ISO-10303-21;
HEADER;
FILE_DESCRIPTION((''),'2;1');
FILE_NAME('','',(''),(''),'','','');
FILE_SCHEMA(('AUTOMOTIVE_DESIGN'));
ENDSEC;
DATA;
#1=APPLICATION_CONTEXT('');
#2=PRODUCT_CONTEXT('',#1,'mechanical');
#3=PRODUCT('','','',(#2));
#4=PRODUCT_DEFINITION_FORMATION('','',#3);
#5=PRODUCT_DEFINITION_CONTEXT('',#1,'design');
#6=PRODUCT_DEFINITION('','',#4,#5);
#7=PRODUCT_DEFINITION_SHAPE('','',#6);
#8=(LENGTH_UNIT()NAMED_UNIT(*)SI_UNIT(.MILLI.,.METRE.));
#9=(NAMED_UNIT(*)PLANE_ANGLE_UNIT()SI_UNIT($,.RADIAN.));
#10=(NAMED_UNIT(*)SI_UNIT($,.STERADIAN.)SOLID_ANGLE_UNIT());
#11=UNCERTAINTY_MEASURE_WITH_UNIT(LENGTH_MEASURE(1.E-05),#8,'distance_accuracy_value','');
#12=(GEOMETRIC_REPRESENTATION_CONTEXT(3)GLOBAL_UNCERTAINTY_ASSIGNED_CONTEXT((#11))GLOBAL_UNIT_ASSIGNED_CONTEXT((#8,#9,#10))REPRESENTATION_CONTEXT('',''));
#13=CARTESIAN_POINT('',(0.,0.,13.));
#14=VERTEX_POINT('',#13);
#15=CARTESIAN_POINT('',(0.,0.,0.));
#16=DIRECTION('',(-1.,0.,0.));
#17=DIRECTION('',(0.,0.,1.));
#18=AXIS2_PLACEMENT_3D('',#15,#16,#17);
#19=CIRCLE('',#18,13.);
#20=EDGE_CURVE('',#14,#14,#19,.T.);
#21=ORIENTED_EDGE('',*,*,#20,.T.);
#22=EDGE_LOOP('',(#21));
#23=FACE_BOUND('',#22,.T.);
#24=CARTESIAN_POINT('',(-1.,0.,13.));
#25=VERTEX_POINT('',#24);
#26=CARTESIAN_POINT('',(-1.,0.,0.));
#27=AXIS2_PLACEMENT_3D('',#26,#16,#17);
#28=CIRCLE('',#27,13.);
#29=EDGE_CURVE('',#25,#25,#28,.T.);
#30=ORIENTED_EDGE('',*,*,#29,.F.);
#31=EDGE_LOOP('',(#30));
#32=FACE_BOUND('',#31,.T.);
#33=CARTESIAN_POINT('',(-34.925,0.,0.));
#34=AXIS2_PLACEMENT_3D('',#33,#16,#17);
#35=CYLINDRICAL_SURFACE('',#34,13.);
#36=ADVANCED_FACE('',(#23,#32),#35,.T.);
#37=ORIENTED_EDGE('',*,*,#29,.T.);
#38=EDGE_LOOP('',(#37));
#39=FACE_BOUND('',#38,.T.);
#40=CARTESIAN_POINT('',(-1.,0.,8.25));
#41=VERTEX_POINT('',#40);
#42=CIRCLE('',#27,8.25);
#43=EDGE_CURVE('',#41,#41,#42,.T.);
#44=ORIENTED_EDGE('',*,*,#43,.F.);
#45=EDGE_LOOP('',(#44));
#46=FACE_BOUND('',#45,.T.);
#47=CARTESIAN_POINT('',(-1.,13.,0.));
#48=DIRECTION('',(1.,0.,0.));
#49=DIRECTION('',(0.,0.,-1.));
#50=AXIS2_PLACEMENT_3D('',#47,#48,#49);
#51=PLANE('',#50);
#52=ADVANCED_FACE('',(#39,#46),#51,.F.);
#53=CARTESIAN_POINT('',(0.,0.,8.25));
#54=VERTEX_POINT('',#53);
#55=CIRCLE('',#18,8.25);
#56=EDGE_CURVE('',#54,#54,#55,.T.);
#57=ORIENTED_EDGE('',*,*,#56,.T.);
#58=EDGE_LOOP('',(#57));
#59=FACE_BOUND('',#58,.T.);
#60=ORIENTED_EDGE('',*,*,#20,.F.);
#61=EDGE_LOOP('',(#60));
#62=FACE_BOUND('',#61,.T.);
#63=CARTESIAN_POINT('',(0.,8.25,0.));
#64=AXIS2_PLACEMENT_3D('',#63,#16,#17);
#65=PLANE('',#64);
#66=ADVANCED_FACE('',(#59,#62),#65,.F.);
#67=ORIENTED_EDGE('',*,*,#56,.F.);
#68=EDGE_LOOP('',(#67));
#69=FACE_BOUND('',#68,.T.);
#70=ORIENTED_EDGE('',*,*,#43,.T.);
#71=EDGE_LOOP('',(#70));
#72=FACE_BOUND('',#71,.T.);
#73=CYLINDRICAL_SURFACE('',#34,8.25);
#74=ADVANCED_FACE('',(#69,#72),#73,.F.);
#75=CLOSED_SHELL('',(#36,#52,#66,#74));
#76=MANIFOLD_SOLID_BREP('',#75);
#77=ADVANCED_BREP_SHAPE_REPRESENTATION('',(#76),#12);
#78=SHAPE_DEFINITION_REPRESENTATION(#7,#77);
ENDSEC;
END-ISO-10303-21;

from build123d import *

# Parameters (mm, degrees)
SKETCH1_W = 1
SKETCH1_H = 4.75


with BuildPart() as part:
    # Sketch1 → Base-Revolve (revolve)
    with BuildSketch(Plane.XY, mode=Mode.PRIVATE) as base_revolve_sk:
        with Locations((-0.5, 10.625)):
            Rectangle(SKETCH1_W, SKETCH1_H)
    revolve(base_revolve_sk.sketch.rotate(Axis((-34.925, 0, 0), (1, 0, 0)), 90), axis=Axis((-34.925, 0, 0), (1, 0, 0)))


solid = part.part
